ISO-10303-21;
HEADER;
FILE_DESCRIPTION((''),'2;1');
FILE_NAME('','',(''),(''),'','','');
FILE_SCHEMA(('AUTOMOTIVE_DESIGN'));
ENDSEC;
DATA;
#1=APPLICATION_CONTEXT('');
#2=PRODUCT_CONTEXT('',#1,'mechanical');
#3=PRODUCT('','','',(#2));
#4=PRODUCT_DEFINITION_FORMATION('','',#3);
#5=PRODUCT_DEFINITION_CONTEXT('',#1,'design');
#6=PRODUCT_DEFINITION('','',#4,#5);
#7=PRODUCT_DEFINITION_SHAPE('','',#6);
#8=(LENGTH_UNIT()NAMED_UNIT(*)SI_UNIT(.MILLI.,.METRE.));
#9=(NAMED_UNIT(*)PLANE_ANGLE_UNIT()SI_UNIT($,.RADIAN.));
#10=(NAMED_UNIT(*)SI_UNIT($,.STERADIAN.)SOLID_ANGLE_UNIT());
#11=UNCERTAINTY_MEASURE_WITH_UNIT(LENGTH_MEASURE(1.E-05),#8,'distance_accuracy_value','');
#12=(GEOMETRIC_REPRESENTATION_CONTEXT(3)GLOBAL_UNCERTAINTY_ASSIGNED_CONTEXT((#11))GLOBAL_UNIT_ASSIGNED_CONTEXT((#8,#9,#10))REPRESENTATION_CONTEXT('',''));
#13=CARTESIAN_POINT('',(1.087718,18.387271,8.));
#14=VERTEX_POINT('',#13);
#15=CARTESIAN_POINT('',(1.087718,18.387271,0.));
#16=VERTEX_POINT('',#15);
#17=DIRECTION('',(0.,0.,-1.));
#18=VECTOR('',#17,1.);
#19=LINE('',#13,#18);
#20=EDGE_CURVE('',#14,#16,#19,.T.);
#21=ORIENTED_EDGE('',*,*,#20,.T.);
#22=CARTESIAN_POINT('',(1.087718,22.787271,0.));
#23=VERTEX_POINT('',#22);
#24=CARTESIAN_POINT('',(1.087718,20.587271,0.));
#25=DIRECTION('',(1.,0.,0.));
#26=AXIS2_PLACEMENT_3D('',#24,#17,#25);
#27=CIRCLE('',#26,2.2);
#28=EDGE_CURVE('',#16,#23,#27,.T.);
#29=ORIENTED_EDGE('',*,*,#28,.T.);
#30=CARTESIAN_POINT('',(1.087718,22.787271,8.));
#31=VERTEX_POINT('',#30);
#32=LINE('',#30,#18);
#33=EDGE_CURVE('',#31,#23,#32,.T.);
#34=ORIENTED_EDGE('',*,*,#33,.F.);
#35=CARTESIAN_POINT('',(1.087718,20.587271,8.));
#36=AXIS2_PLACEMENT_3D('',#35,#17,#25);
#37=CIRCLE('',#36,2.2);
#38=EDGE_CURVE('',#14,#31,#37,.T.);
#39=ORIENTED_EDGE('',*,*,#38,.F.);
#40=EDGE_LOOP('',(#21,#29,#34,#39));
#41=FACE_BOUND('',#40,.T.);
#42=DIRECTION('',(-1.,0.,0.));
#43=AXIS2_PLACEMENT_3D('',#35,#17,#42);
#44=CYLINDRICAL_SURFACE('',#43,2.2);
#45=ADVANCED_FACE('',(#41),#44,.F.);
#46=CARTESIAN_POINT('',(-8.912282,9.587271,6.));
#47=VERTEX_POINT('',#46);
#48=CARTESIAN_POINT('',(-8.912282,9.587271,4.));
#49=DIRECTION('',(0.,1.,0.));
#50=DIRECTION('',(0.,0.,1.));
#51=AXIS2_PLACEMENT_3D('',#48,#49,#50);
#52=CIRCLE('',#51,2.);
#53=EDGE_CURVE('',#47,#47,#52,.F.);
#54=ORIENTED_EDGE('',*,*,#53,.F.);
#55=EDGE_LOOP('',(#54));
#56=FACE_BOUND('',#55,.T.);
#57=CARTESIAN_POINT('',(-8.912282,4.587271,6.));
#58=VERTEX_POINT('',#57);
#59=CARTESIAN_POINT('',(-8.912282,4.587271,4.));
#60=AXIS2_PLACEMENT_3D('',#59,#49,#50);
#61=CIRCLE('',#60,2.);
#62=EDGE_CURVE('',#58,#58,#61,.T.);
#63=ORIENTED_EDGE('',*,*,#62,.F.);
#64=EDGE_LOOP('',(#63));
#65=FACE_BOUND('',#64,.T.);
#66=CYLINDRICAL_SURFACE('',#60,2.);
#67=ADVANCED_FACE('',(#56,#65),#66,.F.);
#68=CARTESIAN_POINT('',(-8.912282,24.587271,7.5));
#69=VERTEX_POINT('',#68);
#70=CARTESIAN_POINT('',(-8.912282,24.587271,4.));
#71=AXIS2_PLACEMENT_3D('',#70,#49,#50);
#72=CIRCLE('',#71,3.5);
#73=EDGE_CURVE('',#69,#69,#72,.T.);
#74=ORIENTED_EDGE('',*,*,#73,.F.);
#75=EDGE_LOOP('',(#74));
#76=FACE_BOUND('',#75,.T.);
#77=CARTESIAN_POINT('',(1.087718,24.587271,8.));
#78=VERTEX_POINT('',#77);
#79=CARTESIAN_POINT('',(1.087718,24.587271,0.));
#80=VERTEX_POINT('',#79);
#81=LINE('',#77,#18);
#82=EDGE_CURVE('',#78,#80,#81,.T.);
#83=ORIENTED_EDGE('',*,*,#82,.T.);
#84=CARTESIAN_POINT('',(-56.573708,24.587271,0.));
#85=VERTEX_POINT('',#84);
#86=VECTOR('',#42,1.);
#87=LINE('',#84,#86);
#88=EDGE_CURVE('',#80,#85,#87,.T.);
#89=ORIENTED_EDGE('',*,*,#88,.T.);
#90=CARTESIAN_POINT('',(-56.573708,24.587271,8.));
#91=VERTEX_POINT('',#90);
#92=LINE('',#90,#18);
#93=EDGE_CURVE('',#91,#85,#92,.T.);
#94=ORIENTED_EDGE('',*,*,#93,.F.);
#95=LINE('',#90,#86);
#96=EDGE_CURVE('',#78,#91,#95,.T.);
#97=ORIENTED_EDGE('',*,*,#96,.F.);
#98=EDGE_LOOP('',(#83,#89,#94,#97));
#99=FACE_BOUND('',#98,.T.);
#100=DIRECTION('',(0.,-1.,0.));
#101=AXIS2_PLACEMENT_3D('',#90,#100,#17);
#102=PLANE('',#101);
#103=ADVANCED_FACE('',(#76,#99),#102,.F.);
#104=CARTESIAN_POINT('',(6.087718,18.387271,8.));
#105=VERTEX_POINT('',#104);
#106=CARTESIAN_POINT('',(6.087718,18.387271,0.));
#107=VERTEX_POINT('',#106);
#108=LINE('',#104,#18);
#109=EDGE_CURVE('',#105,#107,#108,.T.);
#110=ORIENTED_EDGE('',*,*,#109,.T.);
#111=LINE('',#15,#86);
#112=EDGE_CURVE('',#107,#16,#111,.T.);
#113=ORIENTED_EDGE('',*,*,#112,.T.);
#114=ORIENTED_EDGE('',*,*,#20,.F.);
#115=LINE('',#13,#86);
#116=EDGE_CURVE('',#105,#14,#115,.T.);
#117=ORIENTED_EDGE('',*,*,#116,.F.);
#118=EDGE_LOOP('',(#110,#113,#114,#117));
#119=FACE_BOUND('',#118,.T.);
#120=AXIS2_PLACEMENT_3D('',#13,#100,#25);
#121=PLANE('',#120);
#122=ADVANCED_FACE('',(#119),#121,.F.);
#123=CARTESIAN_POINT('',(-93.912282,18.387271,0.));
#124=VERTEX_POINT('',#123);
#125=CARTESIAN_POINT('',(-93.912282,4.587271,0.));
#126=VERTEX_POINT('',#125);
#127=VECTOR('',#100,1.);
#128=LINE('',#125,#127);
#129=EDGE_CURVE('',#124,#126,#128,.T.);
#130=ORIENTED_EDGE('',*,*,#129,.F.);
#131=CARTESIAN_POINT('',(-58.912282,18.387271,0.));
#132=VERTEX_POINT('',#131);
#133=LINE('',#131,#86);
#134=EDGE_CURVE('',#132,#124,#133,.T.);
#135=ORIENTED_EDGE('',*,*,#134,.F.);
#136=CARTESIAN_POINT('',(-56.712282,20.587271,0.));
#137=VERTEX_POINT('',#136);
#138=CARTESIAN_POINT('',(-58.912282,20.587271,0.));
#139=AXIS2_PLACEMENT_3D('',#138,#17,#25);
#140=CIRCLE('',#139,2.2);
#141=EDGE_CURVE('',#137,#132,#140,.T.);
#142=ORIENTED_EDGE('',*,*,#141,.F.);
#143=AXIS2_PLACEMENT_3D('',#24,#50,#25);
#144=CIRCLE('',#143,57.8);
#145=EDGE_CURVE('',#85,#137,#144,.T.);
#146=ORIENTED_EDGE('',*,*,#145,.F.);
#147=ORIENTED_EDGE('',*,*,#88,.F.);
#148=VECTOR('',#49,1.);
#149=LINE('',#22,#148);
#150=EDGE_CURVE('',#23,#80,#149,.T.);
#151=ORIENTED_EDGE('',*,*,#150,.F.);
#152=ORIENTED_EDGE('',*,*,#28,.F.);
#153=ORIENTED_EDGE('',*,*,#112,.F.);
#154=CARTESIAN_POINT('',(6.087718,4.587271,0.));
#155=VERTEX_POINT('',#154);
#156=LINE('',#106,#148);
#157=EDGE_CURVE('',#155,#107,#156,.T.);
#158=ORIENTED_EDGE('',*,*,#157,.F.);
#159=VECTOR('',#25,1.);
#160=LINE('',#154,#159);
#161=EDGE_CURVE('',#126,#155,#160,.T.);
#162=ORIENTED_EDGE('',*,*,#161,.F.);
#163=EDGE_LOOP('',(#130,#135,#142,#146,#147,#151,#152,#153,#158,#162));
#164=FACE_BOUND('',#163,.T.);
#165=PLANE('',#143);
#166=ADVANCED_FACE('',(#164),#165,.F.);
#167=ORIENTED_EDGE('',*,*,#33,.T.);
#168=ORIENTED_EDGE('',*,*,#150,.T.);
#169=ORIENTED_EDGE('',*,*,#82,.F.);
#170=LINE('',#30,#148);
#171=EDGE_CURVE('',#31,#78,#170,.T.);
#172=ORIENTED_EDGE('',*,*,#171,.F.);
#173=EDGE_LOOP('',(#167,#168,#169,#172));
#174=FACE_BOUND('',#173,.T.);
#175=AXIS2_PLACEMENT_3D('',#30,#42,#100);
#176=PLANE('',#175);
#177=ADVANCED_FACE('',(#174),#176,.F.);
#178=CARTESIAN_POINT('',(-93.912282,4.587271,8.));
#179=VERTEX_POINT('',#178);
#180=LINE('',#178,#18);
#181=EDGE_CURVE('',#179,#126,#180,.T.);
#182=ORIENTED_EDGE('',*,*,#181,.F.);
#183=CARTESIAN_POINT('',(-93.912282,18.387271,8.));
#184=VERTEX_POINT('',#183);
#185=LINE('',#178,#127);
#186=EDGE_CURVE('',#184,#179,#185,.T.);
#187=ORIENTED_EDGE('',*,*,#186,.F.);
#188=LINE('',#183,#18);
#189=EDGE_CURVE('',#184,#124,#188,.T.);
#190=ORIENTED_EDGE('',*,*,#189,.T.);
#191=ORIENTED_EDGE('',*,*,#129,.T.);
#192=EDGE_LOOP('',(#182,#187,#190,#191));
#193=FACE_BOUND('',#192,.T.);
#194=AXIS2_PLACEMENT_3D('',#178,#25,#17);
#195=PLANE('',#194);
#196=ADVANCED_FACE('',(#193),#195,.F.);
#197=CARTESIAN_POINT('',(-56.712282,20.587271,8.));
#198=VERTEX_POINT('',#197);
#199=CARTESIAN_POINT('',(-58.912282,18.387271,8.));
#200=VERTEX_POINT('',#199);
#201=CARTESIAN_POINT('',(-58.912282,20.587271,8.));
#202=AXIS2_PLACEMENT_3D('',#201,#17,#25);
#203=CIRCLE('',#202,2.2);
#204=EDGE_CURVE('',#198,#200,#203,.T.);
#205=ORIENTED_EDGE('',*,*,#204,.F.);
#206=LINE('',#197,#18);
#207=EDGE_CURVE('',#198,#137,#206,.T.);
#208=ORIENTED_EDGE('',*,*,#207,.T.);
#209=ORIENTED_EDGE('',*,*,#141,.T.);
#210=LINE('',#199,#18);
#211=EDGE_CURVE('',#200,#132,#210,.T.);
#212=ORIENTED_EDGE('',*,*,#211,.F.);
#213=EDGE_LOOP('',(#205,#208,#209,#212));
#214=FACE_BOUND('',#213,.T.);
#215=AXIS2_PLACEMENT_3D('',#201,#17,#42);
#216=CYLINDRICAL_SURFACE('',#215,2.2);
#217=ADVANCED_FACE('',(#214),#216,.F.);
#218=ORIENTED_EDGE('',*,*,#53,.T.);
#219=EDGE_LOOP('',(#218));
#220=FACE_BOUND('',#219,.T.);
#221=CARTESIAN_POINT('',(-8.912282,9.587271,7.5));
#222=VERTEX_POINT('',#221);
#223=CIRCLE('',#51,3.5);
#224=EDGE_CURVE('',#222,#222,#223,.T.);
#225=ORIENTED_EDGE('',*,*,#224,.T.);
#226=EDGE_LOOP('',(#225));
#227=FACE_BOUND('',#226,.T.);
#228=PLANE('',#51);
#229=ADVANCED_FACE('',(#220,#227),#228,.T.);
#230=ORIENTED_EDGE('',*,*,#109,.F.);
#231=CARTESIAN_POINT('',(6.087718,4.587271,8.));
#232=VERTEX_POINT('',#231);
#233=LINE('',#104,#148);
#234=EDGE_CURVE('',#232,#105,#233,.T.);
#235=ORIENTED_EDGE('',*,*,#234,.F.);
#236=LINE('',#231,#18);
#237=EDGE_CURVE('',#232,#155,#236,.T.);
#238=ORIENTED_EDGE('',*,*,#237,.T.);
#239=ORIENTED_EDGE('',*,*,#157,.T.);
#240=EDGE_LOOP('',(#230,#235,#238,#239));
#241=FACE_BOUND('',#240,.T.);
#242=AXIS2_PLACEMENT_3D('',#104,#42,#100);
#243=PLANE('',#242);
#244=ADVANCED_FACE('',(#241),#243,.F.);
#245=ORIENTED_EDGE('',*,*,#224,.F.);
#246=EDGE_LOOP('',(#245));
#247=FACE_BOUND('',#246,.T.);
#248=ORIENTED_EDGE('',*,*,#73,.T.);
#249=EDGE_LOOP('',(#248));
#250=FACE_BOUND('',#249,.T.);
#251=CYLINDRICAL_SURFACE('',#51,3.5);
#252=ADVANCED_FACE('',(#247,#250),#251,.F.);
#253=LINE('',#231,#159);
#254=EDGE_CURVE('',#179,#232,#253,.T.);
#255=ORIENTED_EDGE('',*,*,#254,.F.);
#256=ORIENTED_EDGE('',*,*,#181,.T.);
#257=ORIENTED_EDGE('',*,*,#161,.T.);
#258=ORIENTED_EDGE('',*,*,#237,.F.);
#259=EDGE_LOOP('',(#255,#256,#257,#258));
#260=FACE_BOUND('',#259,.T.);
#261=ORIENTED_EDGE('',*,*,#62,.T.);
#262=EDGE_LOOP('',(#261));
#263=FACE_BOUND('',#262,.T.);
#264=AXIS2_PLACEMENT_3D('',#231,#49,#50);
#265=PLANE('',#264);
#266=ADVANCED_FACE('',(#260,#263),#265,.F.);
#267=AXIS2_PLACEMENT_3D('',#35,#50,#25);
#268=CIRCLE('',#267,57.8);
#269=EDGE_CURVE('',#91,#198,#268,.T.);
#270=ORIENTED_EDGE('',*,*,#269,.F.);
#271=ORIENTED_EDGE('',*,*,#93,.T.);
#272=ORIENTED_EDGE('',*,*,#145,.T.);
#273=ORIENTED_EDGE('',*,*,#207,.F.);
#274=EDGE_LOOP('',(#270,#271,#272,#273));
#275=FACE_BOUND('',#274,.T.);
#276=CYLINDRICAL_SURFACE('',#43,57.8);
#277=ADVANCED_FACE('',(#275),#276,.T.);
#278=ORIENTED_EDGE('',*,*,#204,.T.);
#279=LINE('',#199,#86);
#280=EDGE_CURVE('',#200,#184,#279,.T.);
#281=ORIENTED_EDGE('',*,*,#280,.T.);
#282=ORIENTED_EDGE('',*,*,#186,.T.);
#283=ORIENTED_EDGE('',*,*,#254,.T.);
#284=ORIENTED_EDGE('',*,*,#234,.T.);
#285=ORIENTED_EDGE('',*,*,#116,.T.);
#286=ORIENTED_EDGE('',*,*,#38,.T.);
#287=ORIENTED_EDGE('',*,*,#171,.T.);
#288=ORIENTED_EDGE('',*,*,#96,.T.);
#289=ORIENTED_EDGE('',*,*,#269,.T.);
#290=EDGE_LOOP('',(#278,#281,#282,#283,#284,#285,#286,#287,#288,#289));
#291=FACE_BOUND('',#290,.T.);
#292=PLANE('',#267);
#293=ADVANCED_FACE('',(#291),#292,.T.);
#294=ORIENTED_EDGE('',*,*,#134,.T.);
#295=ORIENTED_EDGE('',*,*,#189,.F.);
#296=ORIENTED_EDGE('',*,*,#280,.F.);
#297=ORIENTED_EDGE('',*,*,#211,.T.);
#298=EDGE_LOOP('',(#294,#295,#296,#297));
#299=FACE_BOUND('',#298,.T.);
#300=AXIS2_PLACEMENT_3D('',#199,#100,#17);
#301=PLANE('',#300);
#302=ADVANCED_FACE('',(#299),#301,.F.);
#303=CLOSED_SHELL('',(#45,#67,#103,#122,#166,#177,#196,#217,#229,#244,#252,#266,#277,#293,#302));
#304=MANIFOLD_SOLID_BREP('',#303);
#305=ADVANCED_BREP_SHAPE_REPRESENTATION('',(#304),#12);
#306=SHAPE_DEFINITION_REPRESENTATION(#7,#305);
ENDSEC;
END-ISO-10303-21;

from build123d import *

# Parameters (mm, degrees)
BOSS_EXTRUDE2_DEPTH = 8
SKETCH2_R           = 2
CUT_EXTRUDE1_DEPTH  = 20
SKETCH3_R           = 3.5
CUT_EXTRUDE2_DEPTH  = 15


with BuildPart() as part:
    # Sketch1 → Boss-Extrude2 (new body)
    with BuildSketch(Plane.XY):
        with BuildLine():
            Line((-56.573708053, 24.587270805), (1.087717528, 24.587270805))
            Line((1.087717528, 24.587270805), (1.087717528, 22.787270805))
            ThreePointArc((1.087717528, 22.787270805), (-1.112282472, 20.587270805), (1.087717528, 18.387270805))
            Line((1.087717528, 18.387270805), (6.087717528, 18.387270805))
            Line((6.087717528, 18.387270805), (6.087717528, 4.587270805))
            Line((6.087717528, 4.587270805), (-93.912282472, 4.587270805))
            Line((-93.912282472, 4.587270805), (-93.912282472, 18.387270805))
            Line((-93.912282472, 18.387270805), (-58.912282472, 18.387270805))
            ThreePointArc((-58.912282472, 18.387270805), (-57.356647554, 19.031635886), (-56.712282472, 20.587270805))
            ThreePointArc((-56.712282472, 20.587270805), (-56.677628479, 22.588470624), (-56.573708053, 24.587270805))
        make_face()
    extrude(amount=BOSS_EXTRUDE2_DEPTH)

    # Sketch2 → Cut-Extrude1 (cut)
    with BuildSketch(Plane(origin=(0, 24.587270805, 0), x_dir=(1, 0, 0), z_dir=(0, 1, 0))):
        with Locations(Location((-8.912282472, -4, 0), (0, 0, 270))):
            Circle(SKETCH2_R)
    extrude(amount=-CUT_EXTRUDE1_DEPTH, mode=Mode.SUBTRACT)

    # Sketch3 → Cut-Extrude2 (cut)
    with BuildSketch(Plane(origin=(0, 24.587270805, 0), x_dir=(1, 0, 0), z_dir=(0, 1, 0))):
        with Locations(Location((-8.912282472, -4, 0), (0, 0, 270))):
            Circle(SKETCH3_R)
    extrude(amount=-CUT_EXTRUDE2_DEPTH, mode=Mode.SUBTRACT)


solid = part.part
